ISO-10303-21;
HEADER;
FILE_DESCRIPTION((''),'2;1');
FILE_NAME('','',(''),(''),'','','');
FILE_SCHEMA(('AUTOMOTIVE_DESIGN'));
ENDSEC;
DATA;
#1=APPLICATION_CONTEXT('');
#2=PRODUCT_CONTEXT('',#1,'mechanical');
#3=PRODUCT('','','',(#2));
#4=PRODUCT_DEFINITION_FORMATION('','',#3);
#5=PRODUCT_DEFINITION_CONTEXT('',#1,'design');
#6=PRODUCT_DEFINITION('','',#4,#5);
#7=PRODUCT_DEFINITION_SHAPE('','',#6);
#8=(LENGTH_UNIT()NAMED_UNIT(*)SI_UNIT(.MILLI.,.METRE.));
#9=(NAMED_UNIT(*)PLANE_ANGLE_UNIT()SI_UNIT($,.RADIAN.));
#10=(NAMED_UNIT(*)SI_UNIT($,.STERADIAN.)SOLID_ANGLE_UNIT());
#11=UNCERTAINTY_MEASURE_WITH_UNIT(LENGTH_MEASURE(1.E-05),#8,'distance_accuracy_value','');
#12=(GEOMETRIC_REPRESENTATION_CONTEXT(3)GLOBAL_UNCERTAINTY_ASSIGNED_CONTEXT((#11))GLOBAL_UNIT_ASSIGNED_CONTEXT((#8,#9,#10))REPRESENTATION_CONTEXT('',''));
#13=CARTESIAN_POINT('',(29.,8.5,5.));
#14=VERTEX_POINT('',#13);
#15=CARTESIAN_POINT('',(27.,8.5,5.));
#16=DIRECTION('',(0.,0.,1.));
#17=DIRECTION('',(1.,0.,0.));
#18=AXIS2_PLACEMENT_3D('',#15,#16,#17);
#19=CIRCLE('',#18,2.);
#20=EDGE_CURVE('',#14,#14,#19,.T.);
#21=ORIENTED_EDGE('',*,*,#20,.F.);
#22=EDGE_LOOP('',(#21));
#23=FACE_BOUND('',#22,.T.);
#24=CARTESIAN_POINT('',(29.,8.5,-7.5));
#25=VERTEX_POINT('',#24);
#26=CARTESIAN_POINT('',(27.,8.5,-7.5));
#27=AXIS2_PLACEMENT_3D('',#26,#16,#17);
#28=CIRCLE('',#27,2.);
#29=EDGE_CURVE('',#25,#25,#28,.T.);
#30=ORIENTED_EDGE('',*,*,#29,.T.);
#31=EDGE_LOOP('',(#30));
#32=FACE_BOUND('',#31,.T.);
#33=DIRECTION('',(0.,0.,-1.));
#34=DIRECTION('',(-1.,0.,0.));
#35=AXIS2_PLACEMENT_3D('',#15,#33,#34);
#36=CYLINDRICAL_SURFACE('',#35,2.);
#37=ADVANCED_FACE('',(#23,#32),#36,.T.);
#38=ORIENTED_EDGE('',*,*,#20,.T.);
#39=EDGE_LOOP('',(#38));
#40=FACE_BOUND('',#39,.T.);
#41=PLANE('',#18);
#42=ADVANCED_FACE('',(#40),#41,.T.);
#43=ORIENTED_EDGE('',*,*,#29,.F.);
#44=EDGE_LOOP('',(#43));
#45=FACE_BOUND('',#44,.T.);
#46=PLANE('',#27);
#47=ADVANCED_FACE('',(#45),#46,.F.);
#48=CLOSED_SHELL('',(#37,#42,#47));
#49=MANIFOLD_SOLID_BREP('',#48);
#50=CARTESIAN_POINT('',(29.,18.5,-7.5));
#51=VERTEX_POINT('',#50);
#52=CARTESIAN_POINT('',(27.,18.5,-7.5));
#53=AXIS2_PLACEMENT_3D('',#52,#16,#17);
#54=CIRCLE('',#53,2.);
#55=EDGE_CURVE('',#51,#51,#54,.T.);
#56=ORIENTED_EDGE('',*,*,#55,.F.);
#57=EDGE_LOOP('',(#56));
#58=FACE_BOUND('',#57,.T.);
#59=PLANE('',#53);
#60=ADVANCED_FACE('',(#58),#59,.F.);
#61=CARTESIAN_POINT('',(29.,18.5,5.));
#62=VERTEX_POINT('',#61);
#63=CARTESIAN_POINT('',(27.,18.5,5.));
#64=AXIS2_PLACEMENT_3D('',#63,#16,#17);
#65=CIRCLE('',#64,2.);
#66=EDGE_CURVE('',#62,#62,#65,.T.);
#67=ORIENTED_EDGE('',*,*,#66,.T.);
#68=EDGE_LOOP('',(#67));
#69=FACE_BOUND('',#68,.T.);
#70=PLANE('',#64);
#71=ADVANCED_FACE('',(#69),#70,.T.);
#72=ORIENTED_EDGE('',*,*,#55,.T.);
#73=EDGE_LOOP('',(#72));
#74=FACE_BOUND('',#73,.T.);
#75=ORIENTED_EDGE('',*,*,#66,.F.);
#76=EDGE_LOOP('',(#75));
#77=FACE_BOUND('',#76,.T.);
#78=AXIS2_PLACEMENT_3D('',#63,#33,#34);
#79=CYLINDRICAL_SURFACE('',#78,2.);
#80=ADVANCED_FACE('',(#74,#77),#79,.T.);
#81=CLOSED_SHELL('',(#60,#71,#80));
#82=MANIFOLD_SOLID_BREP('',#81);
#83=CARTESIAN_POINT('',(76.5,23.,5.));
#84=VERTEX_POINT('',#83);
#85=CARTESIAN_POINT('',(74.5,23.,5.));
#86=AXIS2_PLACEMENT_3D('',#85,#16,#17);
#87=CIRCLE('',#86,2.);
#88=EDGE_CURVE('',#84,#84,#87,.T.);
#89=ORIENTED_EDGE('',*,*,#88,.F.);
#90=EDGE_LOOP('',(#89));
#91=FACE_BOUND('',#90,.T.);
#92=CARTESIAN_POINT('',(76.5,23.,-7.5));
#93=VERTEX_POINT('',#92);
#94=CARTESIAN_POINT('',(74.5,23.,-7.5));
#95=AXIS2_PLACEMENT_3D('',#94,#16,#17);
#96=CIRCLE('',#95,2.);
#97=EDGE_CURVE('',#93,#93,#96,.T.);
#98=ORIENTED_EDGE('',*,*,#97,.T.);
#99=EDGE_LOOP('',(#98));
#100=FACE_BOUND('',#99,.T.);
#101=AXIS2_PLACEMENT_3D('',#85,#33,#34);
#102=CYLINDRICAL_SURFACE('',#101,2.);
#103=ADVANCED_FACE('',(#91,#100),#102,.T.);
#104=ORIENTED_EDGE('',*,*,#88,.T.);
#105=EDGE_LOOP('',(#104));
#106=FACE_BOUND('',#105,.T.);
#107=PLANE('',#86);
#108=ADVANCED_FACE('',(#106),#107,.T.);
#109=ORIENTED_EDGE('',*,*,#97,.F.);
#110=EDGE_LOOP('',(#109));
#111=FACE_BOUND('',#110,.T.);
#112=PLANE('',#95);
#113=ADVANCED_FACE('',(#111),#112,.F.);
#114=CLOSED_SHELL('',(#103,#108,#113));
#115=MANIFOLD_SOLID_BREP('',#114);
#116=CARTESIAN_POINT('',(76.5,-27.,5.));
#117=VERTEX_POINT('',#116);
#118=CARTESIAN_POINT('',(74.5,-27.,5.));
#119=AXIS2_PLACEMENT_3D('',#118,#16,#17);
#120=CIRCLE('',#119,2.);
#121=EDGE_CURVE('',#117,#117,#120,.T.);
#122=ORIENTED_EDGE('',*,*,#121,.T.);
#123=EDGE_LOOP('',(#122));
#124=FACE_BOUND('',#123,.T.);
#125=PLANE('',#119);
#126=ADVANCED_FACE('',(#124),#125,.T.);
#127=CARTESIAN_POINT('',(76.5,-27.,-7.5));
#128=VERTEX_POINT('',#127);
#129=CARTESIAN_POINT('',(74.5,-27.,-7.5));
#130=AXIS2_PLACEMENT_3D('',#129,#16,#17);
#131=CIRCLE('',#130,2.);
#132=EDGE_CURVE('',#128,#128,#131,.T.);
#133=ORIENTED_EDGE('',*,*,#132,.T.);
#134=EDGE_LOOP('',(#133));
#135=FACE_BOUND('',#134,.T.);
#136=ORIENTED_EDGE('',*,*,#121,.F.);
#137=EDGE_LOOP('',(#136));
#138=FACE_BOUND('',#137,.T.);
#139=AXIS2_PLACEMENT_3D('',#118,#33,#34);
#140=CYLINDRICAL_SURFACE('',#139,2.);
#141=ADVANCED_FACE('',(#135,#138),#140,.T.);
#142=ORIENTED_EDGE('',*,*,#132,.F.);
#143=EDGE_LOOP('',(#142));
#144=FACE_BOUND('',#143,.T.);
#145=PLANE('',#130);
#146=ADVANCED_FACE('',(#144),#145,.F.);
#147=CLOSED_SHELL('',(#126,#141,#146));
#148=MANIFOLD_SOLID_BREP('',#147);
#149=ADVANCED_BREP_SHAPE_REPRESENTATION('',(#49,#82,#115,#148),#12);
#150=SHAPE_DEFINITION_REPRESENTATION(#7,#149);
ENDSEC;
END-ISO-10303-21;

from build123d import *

# Parameters (mm, degrees)
BOSS_EXTRUDE1_DEPTH        = 5
BOSS_EXTRUDE1_DEPTH_BACK   = 7.5
SKETCH1_R                  = 2
BOSS_EXTRUDE1_2_DEPTH      = 5
BOSS_EXTRUDE1_2_DEPTH_BACK = 7.5
BOSS_EXTRUDE1_3_DEPTH      = 5
BOSS_EXTRUDE1_3_DEPTH_BACK = 7.5
BOSS_EXTRUDE1_4_DEPTH      = 5
BOSS_EXTRUDE1_4_DEPTH_BACK = 7.5


with BuildPart() as part:
    # Sketch1 → Boss-Extrude1 (new, two sides: drawn at the far end of the back side and taken through both)
    with BuildSketch(Plane.XY.offset(-BOSS_EXTRUDE1_DEPTH_BACK)):
        with Locations((27, 8.5)):
            Circle(SKETCH1_R)
    extrude(amount=BOSS_EXTRUDE1_DEPTH + BOSS_EXTRUDE1_DEPTH_BACK)


with BuildPart() as body_2:
    # Sketch1 → Boss-Extrude1 2 (new, two sides: drawn at the far end of the back side and taken through both)
    with BuildSketch(Plane.XY.offset(-BOSS_EXTRUDE1_2_DEPTH_BACK)):
        with Locations((27, 18.5)):
            Circle(SKETCH1_R)
    extrude(amount=BOSS_EXTRUDE1_2_DEPTH + BOSS_EXTRUDE1_2_DEPTH_BACK)


with BuildPart() as body_3:
    # Sketch1 → Boss-Extrude1 3 (new, two sides: drawn at the far end of the back side and taken through both)
    with BuildSketch(Plane.XY.offset(-BOSS_EXTRUDE1_3_DEPTH_BACK)):
        with Locations((74.5, 23)):
            Circle(SKETCH1_R)
    extrude(amount=BOSS_EXTRUDE1_3_DEPTH + BOSS_EXTRUDE1_3_DEPTH_BACK)


with BuildPart() as body_4:
    # Sketch1 → Boss-Extrude1 4 (new, two sides: drawn at the far end of the back side and taken through both)
    with BuildSketch(Plane.XY.offset(-BOSS_EXTRUDE1_4_DEPTH_BACK)):
        with Locations((74.5, -27)):
            Circle(SKETCH1_R)
    extrude(amount=BOSS_EXTRUDE1_4_DEPTH + BOSS_EXTRUDE1_4_DEPTH_BACK)


solid = Compound([part.part, body_2.part, body_3.part, body_4.part])
